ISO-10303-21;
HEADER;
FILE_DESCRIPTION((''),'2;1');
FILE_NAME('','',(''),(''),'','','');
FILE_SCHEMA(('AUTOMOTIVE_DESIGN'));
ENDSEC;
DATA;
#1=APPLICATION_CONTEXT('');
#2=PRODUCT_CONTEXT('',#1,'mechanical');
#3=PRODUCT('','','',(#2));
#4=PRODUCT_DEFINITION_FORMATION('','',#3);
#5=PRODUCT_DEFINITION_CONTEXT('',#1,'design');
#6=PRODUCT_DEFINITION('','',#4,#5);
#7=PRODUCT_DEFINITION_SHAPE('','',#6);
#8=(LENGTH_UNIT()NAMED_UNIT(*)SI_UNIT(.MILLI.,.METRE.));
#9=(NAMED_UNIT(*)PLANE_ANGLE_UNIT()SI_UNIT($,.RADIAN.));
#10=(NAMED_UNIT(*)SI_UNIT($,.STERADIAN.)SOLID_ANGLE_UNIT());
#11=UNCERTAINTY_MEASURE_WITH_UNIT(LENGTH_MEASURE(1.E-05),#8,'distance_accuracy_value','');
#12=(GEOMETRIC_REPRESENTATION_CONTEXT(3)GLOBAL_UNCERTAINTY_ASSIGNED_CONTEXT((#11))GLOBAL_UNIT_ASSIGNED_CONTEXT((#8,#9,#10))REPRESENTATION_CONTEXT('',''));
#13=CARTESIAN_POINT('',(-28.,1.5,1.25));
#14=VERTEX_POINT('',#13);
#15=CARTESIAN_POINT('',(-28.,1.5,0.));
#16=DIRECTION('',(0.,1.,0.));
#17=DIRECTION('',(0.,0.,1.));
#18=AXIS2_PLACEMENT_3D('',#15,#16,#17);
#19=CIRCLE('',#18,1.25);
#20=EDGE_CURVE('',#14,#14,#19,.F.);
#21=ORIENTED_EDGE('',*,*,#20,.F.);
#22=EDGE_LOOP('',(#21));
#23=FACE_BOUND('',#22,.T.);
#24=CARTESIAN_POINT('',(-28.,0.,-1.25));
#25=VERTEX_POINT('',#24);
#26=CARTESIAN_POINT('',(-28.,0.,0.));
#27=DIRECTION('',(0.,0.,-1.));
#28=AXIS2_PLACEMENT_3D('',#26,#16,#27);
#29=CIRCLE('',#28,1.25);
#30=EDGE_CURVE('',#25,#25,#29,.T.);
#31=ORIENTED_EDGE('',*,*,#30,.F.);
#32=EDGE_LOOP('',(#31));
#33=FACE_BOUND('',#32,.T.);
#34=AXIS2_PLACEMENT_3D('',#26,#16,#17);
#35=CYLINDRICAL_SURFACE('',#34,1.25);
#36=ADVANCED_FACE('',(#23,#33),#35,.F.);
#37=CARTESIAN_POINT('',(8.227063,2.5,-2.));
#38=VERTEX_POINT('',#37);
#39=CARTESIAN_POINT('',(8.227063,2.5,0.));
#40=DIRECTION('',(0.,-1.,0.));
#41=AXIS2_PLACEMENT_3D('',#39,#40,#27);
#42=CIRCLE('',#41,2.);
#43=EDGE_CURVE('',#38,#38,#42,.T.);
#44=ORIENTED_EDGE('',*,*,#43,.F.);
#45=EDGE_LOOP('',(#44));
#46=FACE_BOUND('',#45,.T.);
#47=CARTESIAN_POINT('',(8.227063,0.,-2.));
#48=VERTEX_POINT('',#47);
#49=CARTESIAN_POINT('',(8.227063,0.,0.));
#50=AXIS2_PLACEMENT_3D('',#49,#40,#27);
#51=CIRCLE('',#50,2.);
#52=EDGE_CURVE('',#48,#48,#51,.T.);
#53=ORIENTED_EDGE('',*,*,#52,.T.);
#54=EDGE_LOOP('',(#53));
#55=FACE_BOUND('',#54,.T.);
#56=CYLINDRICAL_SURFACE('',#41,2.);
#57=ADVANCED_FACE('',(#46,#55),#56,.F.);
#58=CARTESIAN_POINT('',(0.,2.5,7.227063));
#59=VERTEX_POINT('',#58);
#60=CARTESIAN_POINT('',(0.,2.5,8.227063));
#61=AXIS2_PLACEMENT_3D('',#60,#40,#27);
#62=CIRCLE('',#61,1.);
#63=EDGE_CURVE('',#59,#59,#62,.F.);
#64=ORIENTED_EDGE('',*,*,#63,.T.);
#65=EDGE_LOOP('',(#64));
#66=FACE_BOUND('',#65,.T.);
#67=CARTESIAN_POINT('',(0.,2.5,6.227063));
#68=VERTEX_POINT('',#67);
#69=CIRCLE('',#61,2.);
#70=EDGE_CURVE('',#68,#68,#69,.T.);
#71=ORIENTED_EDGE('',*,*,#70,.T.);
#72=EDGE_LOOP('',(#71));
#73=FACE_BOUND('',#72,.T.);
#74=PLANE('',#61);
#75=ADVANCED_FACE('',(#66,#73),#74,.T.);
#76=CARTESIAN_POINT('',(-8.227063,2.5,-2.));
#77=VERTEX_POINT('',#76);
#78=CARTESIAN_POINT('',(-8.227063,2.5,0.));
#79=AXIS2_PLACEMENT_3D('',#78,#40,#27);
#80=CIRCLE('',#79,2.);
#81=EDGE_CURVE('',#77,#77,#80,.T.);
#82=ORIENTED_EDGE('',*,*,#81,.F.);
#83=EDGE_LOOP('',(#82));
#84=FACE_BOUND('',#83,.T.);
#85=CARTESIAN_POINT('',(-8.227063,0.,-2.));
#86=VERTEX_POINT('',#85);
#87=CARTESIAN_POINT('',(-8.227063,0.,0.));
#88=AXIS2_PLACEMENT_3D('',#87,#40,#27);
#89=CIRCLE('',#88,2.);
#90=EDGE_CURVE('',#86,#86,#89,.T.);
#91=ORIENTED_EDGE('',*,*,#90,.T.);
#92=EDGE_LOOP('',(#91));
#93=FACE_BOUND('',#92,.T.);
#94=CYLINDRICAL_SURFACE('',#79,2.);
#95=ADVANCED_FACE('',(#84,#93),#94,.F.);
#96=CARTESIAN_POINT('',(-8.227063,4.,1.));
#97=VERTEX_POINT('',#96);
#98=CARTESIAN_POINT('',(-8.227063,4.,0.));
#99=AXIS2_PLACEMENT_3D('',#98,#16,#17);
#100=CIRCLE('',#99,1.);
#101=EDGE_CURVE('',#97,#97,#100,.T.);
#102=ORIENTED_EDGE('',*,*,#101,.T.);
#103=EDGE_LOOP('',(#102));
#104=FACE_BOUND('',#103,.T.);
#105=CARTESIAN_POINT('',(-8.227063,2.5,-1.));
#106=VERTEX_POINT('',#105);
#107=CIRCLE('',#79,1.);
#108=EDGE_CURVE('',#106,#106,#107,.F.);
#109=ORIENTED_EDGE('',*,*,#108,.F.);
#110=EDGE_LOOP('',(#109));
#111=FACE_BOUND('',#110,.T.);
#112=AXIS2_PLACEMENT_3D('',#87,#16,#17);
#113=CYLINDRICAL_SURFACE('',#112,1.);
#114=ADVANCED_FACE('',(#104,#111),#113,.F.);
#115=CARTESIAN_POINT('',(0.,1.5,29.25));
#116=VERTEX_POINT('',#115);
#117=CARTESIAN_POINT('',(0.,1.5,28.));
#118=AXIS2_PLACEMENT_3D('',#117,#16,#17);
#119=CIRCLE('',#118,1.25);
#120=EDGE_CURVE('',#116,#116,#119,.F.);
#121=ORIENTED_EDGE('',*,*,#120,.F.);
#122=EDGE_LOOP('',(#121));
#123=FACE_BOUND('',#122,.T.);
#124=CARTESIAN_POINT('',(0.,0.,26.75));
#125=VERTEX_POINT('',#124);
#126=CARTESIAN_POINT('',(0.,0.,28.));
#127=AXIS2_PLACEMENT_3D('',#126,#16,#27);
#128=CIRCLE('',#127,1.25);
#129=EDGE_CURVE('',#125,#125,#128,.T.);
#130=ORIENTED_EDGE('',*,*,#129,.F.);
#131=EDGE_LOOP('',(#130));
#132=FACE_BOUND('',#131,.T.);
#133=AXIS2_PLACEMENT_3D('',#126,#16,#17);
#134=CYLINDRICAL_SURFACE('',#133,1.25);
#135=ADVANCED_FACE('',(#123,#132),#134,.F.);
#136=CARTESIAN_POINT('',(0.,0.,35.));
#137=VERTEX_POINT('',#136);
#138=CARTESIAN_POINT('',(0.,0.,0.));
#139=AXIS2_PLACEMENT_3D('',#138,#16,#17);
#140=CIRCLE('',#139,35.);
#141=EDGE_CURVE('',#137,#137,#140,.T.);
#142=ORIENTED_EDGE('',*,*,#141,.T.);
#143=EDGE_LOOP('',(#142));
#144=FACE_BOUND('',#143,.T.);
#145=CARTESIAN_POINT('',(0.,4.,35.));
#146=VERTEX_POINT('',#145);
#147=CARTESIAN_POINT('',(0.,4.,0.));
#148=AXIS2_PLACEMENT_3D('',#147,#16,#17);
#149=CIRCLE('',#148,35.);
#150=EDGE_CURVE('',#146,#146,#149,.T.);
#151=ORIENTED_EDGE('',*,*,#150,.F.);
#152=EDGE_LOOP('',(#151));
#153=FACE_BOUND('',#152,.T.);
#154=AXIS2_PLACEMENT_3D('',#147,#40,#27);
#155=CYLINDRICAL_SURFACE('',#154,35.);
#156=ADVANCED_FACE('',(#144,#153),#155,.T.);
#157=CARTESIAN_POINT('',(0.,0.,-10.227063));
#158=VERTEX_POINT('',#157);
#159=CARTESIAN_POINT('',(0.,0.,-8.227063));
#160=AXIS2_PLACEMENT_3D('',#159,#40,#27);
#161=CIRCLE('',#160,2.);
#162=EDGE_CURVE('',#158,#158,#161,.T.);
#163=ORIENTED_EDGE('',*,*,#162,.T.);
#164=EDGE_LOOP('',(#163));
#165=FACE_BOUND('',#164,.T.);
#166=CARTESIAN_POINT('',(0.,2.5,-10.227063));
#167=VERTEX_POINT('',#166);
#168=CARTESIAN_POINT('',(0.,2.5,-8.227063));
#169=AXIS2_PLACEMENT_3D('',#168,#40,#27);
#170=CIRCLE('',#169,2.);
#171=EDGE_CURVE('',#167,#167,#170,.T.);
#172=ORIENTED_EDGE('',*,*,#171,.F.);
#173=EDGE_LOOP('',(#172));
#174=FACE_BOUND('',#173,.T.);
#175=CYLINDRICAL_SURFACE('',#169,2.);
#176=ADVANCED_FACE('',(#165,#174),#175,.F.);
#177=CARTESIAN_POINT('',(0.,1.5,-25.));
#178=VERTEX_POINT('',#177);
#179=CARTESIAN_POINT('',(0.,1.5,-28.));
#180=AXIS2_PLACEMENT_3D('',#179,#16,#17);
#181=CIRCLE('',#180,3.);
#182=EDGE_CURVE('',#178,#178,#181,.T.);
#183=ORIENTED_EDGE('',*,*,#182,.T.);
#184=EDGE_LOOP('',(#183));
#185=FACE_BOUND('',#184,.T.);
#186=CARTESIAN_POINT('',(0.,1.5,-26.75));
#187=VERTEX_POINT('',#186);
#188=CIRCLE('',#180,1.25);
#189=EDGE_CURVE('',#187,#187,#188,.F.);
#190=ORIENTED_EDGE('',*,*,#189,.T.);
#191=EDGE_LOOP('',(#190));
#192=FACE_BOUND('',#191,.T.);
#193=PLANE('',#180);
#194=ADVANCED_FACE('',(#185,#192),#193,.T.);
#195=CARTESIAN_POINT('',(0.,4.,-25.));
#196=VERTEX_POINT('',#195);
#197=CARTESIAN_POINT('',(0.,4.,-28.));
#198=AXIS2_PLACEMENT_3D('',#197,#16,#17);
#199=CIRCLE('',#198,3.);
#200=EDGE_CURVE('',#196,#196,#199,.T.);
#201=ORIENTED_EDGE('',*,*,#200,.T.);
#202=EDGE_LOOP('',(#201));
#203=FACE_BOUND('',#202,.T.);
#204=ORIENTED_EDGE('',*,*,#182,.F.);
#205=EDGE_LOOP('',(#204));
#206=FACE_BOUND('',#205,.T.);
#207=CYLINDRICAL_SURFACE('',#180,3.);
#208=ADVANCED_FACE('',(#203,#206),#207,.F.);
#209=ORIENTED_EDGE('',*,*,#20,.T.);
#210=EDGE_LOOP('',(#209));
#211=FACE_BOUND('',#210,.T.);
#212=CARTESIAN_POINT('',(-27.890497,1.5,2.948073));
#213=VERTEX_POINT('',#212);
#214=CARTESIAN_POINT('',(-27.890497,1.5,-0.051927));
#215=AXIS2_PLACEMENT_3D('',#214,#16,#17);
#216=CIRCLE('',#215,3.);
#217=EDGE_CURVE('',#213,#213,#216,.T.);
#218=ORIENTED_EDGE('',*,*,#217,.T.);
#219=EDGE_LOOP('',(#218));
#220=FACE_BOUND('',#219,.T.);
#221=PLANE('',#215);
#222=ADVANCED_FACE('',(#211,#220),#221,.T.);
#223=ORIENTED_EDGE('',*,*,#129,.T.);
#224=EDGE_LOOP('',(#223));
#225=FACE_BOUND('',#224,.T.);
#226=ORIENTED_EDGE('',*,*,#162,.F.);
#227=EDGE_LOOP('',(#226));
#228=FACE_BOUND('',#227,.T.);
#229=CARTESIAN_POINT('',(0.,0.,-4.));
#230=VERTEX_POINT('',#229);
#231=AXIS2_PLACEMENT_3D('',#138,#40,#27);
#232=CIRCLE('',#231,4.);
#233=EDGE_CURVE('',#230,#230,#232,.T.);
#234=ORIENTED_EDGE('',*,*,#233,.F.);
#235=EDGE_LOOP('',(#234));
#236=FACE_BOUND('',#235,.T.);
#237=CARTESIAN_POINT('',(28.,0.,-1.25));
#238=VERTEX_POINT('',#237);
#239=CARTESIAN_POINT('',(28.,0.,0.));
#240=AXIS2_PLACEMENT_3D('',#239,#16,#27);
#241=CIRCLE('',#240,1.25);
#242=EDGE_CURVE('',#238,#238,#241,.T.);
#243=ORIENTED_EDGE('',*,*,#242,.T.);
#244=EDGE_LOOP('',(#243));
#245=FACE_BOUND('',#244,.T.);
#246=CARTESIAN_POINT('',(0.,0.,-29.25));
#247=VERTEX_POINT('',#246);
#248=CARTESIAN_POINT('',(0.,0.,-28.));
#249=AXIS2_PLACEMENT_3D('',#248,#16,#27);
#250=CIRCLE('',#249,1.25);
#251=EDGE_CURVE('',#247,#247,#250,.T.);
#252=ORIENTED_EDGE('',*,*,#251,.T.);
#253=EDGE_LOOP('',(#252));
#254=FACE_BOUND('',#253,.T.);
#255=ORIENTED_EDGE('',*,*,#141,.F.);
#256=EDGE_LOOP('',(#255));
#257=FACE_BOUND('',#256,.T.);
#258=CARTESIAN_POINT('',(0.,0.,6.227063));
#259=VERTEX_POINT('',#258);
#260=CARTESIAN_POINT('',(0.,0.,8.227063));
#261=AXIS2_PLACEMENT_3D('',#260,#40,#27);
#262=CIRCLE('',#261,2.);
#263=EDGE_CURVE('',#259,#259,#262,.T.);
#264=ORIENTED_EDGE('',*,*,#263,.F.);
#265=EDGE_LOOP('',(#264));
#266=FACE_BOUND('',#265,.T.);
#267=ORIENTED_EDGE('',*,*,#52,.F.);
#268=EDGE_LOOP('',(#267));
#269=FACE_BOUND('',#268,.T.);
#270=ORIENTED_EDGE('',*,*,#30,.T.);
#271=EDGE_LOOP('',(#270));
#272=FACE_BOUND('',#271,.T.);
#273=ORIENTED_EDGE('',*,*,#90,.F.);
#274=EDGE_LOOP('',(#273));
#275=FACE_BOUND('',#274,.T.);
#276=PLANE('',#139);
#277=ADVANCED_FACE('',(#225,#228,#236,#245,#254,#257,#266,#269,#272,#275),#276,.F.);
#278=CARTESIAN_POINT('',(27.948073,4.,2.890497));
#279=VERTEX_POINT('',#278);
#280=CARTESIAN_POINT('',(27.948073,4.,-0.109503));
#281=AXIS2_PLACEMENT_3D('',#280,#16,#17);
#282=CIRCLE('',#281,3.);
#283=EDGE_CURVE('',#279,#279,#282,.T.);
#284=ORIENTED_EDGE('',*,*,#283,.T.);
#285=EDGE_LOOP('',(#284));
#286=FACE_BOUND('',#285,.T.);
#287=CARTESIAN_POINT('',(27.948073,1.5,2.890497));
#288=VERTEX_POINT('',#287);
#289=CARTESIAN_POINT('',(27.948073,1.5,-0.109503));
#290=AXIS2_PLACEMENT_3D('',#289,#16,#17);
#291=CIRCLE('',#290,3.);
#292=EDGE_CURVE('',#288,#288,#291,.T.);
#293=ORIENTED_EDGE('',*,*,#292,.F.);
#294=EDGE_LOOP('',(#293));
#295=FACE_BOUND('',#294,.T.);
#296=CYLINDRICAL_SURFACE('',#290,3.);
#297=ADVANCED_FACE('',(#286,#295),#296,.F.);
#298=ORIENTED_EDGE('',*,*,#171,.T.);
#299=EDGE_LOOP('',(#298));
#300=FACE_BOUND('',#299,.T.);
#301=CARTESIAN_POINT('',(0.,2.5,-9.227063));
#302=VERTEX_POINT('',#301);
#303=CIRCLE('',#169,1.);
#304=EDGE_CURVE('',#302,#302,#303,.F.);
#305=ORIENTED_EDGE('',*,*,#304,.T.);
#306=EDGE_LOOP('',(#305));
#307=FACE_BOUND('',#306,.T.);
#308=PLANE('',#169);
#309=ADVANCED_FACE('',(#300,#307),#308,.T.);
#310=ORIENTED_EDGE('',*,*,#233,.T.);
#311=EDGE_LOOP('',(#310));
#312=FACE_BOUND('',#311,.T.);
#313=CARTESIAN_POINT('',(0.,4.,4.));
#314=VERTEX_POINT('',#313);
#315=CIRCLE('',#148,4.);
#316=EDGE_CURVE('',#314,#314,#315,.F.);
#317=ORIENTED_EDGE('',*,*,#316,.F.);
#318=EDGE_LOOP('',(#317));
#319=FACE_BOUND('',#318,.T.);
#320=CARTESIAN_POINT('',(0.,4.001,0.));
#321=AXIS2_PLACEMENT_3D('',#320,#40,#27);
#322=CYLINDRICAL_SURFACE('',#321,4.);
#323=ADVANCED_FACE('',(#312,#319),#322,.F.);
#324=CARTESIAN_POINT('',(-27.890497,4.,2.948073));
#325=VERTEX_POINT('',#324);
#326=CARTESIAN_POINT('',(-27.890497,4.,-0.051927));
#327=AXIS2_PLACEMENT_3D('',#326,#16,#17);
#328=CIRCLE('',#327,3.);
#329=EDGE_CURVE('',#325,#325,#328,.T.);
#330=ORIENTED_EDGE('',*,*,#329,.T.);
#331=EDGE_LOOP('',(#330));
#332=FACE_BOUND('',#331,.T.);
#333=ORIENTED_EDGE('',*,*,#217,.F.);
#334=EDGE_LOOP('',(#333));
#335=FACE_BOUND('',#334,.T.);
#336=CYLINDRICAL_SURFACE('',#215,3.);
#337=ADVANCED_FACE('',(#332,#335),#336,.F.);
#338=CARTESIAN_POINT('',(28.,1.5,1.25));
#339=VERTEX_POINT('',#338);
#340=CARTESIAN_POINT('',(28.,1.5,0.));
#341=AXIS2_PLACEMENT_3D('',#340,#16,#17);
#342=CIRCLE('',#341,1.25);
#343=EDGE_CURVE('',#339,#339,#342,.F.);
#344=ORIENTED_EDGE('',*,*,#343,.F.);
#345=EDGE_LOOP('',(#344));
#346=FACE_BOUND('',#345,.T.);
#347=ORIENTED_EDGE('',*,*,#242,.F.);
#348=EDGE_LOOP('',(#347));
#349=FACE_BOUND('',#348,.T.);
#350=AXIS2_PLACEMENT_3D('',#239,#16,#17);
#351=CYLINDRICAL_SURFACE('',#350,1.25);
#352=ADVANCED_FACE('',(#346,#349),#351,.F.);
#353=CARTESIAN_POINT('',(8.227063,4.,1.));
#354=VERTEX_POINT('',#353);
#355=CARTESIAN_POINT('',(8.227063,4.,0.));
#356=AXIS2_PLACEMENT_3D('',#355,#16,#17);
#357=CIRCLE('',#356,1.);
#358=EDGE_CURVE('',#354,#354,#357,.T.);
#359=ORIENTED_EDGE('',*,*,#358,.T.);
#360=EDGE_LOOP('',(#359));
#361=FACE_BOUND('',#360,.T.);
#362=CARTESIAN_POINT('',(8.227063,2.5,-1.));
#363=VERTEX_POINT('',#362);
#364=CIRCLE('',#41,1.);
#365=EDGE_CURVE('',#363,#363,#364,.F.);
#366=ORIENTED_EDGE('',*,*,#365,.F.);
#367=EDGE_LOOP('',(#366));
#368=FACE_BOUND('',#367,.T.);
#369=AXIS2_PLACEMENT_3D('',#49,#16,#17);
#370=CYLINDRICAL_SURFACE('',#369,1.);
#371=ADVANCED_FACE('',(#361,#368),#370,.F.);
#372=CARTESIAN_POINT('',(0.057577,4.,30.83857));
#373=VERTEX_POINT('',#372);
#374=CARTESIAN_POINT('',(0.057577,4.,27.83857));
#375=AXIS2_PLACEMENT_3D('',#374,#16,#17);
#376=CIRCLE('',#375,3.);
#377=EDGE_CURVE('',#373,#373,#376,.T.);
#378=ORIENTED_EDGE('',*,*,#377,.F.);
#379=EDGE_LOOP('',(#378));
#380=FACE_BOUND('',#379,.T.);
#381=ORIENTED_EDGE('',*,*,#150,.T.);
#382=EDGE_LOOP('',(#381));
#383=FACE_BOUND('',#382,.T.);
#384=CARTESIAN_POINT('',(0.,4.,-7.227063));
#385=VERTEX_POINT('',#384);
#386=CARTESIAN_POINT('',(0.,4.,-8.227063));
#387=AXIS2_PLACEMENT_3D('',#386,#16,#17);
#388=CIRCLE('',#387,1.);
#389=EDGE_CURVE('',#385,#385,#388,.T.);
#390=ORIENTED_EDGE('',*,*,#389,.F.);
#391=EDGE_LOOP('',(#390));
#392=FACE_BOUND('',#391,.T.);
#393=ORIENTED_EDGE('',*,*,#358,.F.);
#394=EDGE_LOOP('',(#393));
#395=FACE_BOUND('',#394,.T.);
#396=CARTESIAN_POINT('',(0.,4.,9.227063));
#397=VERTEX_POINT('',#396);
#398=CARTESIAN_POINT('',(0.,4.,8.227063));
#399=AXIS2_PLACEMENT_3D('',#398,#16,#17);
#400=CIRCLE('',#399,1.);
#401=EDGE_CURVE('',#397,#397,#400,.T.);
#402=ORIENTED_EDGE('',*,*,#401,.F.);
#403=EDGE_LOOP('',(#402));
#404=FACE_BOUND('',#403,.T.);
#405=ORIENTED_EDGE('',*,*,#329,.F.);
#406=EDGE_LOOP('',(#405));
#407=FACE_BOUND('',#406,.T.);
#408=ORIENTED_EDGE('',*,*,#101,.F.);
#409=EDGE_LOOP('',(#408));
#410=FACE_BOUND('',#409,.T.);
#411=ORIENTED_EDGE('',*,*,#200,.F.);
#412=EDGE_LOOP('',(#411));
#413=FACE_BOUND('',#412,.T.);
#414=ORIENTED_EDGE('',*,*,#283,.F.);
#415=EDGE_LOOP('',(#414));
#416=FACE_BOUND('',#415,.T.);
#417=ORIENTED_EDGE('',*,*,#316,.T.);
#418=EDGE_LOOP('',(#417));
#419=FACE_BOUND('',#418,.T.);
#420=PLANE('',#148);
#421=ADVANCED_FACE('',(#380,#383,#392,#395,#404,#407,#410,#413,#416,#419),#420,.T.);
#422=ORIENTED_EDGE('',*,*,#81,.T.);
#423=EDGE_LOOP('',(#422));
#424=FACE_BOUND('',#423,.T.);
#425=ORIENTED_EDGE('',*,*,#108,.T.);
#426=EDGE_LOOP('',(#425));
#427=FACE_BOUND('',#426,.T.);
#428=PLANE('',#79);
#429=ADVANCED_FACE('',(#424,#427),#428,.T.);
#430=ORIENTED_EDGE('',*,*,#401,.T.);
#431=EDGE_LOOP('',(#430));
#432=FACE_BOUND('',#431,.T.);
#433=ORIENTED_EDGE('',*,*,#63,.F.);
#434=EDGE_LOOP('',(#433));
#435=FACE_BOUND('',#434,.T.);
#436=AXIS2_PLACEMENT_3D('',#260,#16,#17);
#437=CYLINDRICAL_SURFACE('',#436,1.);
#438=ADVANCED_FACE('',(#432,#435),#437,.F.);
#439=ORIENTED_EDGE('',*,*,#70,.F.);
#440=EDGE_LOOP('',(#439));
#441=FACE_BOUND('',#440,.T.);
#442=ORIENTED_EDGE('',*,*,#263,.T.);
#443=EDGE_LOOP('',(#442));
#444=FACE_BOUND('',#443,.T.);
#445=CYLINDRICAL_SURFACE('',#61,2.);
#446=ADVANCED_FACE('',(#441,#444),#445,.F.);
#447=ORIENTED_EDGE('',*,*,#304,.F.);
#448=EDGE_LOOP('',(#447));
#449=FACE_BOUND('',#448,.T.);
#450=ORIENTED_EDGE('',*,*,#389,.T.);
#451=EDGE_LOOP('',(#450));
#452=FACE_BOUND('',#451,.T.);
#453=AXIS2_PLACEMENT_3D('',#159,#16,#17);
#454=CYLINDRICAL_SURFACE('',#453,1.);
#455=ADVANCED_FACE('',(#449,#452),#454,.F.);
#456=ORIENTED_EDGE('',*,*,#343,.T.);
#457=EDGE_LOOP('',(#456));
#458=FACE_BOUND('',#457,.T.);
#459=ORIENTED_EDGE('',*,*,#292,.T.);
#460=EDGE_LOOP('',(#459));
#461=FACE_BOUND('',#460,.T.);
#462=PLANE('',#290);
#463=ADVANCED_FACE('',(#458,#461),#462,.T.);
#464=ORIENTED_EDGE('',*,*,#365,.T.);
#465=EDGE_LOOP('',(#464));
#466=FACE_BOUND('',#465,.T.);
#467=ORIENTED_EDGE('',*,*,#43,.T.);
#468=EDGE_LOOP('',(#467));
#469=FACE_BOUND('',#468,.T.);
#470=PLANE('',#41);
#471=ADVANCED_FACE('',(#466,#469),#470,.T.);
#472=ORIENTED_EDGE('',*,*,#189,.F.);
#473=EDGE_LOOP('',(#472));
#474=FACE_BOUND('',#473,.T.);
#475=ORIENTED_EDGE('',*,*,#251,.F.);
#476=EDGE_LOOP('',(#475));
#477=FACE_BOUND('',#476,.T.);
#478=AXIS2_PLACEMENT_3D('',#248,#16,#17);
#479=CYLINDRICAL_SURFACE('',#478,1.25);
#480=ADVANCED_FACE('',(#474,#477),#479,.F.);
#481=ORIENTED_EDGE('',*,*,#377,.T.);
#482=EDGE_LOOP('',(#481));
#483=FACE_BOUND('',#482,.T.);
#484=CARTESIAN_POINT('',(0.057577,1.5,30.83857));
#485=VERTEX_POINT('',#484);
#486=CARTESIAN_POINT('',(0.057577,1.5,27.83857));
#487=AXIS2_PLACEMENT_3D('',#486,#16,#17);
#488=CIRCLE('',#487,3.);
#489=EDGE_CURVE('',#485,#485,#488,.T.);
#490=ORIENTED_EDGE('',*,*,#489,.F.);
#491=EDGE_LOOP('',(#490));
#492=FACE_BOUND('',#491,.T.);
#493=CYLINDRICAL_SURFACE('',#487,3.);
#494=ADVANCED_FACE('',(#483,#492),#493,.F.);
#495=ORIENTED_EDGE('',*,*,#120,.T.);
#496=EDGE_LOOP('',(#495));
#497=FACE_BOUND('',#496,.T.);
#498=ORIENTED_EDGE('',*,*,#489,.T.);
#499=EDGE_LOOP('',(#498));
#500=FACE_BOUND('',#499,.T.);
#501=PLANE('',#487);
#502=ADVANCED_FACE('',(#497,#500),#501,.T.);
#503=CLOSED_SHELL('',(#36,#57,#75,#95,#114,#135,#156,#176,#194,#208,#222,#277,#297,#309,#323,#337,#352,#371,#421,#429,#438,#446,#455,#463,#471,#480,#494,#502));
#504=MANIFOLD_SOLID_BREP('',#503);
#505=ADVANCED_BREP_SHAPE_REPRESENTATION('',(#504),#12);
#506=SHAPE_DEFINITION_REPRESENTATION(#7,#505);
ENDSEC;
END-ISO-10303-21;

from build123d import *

# Parameters (mm, degrees)
SKETCH1_R           = 35
BOSS_EXTRUDE1_DEPTH = 4
SKETCH2_R           = 1
SKETCH2_R_2         = 1.25
CUT_EXTRUDE1_DEPTH  = 50.658836072
CUT_EXTRUDE2_REACH  = 51.659
SKETCH3_R           = 4
SKETCH4_R           = 3
CUT_EXTRUDE3_DEPTH  = 2.5
SKETCH5_R           = 2
CUT_EXTRUDE4_DEPTH  = 2.5


with BuildPart() as part:
    # Sketch1 → Boss-Extrude1 (new body)
    with BuildSketch(Plane(origin=(0, 0, 0), x_dir=(1, 0, 0), z_dir=(0, 1, 0))):
        with Locations(Location((0, 0, 0), (0, 0, 270))):
            Circle(SKETCH1_R)
    extrude(amount=BOSS_EXTRUDE1_DEPTH)

    # Sketch2 → Cut-Extrude1 (cut, through all)
    with BuildSketch(Plane(origin=(0, 4, 0), x_dir=(1, 0, 0), z_dir=(0, 1, 0))):
        with Locations(Location((0, 8.227062517, 0), (0, 0, 270))):
            Circle(SKETCH2_R)
        with Locations(Location((8.227062517, 0, 0), (0, 0, 270))):
            Circle(SKETCH2_R)
        with Locations(Location((0, -8.227062517, 0), (0, 0, 270))):
            Circle(SKETCH2_R)
        with Locations(Location((-8.227062517, 0, 0), (0, 0, 270))):
            Circle(SKETCH2_R)
        with Locations(Location((0, -28, 0), (0, 0, 90))):
            Circle(SKETCH2_R_2)
        with Locations(Location((-28, 0, 0), (0, 0, 90))):
            Circle(SKETCH2_R_2)
        with Locations(Location((0, 28, 0), (0, 0, 90))):
            Circle(SKETCH2_R_2)
        with Locations(Location((28, 0, 0), (0, 0, 90))):
            Circle(SKETCH2_R_2)
    extrude(amount=-CUT_EXTRUDE1_DEPTH, mode=Mode.SUBTRACT)

    # Sketch3 → Cut-Extrude2 (cut, up to next)
    with BuildSketch(Plane.XZ, mode=Mode.PRIVATE) as cut_extrude2_sk1:
        with Locations(Location((0, 0, 0), (0, 0, 270))):
            Circle(SKETCH3_R)
    cut_extrude2_tool1 = extrude(cut_extrude2_sk1.sketch, amount=-CUT_EXTRUDE2_REACH, mode=Mode.PRIVATE) & part.part
    add(cut_extrude2_tool1.solids().sort_by_distance((0, 0, 0))[0], mode=Mode.SUBTRACT)

    # Sketch4 → Cut-Extrude3 (cut)
    with BuildSketch(Plane(origin=(0, 4, 0), x_dir=(1, 0, 0), z_dir=(0, 1, 0))):
        with Locations(Location((0, 28, 0), (0, 0, 270))):
            Circle(SKETCH4_R)
        with Locations(Location((27.948073418, 0.109503391, 0), (0, 0, 270))):
            Circle(SKETCH4_R)
        with Locations(Location((0.057576809, -27.838570027, 0), (0, 0, 270))):
            Circle(SKETCH4_R)
        with Locations(Location((-27.890496609, 0.051926582, 0), (0, 0, 270))):
            Circle(SKETCH4_R)
    extrude(amount=-CUT_EXTRUDE3_DEPTH, mode=Mode.SUBTRACT)

    # Sketch5 → Cut-Extrude4 (cut)
    with BuildSketch(Plane.XZ):
        with Locations(Location((0, 8.227062517, 0), (0, 0, 270))):
            Circle(SKETCH5_R)
        with Locations(Location((8.227062517, 0, 0), (0, 0, 270))):
            Circle(SKETCH5_R)
        with Locations(Location((0, -8.227062517, 0), (0, 0, 270))):
            Circle(SKETCH5_R)
        with Locations(Location((-8.227062517, 0, 0), (0, 0, 270))):
            Circle(SKETCH5_R)
    extrude(amount=-CUT_EXTRUDE4_DEPTH, mode=Mode.SUBTRACT)


solid = part.part
